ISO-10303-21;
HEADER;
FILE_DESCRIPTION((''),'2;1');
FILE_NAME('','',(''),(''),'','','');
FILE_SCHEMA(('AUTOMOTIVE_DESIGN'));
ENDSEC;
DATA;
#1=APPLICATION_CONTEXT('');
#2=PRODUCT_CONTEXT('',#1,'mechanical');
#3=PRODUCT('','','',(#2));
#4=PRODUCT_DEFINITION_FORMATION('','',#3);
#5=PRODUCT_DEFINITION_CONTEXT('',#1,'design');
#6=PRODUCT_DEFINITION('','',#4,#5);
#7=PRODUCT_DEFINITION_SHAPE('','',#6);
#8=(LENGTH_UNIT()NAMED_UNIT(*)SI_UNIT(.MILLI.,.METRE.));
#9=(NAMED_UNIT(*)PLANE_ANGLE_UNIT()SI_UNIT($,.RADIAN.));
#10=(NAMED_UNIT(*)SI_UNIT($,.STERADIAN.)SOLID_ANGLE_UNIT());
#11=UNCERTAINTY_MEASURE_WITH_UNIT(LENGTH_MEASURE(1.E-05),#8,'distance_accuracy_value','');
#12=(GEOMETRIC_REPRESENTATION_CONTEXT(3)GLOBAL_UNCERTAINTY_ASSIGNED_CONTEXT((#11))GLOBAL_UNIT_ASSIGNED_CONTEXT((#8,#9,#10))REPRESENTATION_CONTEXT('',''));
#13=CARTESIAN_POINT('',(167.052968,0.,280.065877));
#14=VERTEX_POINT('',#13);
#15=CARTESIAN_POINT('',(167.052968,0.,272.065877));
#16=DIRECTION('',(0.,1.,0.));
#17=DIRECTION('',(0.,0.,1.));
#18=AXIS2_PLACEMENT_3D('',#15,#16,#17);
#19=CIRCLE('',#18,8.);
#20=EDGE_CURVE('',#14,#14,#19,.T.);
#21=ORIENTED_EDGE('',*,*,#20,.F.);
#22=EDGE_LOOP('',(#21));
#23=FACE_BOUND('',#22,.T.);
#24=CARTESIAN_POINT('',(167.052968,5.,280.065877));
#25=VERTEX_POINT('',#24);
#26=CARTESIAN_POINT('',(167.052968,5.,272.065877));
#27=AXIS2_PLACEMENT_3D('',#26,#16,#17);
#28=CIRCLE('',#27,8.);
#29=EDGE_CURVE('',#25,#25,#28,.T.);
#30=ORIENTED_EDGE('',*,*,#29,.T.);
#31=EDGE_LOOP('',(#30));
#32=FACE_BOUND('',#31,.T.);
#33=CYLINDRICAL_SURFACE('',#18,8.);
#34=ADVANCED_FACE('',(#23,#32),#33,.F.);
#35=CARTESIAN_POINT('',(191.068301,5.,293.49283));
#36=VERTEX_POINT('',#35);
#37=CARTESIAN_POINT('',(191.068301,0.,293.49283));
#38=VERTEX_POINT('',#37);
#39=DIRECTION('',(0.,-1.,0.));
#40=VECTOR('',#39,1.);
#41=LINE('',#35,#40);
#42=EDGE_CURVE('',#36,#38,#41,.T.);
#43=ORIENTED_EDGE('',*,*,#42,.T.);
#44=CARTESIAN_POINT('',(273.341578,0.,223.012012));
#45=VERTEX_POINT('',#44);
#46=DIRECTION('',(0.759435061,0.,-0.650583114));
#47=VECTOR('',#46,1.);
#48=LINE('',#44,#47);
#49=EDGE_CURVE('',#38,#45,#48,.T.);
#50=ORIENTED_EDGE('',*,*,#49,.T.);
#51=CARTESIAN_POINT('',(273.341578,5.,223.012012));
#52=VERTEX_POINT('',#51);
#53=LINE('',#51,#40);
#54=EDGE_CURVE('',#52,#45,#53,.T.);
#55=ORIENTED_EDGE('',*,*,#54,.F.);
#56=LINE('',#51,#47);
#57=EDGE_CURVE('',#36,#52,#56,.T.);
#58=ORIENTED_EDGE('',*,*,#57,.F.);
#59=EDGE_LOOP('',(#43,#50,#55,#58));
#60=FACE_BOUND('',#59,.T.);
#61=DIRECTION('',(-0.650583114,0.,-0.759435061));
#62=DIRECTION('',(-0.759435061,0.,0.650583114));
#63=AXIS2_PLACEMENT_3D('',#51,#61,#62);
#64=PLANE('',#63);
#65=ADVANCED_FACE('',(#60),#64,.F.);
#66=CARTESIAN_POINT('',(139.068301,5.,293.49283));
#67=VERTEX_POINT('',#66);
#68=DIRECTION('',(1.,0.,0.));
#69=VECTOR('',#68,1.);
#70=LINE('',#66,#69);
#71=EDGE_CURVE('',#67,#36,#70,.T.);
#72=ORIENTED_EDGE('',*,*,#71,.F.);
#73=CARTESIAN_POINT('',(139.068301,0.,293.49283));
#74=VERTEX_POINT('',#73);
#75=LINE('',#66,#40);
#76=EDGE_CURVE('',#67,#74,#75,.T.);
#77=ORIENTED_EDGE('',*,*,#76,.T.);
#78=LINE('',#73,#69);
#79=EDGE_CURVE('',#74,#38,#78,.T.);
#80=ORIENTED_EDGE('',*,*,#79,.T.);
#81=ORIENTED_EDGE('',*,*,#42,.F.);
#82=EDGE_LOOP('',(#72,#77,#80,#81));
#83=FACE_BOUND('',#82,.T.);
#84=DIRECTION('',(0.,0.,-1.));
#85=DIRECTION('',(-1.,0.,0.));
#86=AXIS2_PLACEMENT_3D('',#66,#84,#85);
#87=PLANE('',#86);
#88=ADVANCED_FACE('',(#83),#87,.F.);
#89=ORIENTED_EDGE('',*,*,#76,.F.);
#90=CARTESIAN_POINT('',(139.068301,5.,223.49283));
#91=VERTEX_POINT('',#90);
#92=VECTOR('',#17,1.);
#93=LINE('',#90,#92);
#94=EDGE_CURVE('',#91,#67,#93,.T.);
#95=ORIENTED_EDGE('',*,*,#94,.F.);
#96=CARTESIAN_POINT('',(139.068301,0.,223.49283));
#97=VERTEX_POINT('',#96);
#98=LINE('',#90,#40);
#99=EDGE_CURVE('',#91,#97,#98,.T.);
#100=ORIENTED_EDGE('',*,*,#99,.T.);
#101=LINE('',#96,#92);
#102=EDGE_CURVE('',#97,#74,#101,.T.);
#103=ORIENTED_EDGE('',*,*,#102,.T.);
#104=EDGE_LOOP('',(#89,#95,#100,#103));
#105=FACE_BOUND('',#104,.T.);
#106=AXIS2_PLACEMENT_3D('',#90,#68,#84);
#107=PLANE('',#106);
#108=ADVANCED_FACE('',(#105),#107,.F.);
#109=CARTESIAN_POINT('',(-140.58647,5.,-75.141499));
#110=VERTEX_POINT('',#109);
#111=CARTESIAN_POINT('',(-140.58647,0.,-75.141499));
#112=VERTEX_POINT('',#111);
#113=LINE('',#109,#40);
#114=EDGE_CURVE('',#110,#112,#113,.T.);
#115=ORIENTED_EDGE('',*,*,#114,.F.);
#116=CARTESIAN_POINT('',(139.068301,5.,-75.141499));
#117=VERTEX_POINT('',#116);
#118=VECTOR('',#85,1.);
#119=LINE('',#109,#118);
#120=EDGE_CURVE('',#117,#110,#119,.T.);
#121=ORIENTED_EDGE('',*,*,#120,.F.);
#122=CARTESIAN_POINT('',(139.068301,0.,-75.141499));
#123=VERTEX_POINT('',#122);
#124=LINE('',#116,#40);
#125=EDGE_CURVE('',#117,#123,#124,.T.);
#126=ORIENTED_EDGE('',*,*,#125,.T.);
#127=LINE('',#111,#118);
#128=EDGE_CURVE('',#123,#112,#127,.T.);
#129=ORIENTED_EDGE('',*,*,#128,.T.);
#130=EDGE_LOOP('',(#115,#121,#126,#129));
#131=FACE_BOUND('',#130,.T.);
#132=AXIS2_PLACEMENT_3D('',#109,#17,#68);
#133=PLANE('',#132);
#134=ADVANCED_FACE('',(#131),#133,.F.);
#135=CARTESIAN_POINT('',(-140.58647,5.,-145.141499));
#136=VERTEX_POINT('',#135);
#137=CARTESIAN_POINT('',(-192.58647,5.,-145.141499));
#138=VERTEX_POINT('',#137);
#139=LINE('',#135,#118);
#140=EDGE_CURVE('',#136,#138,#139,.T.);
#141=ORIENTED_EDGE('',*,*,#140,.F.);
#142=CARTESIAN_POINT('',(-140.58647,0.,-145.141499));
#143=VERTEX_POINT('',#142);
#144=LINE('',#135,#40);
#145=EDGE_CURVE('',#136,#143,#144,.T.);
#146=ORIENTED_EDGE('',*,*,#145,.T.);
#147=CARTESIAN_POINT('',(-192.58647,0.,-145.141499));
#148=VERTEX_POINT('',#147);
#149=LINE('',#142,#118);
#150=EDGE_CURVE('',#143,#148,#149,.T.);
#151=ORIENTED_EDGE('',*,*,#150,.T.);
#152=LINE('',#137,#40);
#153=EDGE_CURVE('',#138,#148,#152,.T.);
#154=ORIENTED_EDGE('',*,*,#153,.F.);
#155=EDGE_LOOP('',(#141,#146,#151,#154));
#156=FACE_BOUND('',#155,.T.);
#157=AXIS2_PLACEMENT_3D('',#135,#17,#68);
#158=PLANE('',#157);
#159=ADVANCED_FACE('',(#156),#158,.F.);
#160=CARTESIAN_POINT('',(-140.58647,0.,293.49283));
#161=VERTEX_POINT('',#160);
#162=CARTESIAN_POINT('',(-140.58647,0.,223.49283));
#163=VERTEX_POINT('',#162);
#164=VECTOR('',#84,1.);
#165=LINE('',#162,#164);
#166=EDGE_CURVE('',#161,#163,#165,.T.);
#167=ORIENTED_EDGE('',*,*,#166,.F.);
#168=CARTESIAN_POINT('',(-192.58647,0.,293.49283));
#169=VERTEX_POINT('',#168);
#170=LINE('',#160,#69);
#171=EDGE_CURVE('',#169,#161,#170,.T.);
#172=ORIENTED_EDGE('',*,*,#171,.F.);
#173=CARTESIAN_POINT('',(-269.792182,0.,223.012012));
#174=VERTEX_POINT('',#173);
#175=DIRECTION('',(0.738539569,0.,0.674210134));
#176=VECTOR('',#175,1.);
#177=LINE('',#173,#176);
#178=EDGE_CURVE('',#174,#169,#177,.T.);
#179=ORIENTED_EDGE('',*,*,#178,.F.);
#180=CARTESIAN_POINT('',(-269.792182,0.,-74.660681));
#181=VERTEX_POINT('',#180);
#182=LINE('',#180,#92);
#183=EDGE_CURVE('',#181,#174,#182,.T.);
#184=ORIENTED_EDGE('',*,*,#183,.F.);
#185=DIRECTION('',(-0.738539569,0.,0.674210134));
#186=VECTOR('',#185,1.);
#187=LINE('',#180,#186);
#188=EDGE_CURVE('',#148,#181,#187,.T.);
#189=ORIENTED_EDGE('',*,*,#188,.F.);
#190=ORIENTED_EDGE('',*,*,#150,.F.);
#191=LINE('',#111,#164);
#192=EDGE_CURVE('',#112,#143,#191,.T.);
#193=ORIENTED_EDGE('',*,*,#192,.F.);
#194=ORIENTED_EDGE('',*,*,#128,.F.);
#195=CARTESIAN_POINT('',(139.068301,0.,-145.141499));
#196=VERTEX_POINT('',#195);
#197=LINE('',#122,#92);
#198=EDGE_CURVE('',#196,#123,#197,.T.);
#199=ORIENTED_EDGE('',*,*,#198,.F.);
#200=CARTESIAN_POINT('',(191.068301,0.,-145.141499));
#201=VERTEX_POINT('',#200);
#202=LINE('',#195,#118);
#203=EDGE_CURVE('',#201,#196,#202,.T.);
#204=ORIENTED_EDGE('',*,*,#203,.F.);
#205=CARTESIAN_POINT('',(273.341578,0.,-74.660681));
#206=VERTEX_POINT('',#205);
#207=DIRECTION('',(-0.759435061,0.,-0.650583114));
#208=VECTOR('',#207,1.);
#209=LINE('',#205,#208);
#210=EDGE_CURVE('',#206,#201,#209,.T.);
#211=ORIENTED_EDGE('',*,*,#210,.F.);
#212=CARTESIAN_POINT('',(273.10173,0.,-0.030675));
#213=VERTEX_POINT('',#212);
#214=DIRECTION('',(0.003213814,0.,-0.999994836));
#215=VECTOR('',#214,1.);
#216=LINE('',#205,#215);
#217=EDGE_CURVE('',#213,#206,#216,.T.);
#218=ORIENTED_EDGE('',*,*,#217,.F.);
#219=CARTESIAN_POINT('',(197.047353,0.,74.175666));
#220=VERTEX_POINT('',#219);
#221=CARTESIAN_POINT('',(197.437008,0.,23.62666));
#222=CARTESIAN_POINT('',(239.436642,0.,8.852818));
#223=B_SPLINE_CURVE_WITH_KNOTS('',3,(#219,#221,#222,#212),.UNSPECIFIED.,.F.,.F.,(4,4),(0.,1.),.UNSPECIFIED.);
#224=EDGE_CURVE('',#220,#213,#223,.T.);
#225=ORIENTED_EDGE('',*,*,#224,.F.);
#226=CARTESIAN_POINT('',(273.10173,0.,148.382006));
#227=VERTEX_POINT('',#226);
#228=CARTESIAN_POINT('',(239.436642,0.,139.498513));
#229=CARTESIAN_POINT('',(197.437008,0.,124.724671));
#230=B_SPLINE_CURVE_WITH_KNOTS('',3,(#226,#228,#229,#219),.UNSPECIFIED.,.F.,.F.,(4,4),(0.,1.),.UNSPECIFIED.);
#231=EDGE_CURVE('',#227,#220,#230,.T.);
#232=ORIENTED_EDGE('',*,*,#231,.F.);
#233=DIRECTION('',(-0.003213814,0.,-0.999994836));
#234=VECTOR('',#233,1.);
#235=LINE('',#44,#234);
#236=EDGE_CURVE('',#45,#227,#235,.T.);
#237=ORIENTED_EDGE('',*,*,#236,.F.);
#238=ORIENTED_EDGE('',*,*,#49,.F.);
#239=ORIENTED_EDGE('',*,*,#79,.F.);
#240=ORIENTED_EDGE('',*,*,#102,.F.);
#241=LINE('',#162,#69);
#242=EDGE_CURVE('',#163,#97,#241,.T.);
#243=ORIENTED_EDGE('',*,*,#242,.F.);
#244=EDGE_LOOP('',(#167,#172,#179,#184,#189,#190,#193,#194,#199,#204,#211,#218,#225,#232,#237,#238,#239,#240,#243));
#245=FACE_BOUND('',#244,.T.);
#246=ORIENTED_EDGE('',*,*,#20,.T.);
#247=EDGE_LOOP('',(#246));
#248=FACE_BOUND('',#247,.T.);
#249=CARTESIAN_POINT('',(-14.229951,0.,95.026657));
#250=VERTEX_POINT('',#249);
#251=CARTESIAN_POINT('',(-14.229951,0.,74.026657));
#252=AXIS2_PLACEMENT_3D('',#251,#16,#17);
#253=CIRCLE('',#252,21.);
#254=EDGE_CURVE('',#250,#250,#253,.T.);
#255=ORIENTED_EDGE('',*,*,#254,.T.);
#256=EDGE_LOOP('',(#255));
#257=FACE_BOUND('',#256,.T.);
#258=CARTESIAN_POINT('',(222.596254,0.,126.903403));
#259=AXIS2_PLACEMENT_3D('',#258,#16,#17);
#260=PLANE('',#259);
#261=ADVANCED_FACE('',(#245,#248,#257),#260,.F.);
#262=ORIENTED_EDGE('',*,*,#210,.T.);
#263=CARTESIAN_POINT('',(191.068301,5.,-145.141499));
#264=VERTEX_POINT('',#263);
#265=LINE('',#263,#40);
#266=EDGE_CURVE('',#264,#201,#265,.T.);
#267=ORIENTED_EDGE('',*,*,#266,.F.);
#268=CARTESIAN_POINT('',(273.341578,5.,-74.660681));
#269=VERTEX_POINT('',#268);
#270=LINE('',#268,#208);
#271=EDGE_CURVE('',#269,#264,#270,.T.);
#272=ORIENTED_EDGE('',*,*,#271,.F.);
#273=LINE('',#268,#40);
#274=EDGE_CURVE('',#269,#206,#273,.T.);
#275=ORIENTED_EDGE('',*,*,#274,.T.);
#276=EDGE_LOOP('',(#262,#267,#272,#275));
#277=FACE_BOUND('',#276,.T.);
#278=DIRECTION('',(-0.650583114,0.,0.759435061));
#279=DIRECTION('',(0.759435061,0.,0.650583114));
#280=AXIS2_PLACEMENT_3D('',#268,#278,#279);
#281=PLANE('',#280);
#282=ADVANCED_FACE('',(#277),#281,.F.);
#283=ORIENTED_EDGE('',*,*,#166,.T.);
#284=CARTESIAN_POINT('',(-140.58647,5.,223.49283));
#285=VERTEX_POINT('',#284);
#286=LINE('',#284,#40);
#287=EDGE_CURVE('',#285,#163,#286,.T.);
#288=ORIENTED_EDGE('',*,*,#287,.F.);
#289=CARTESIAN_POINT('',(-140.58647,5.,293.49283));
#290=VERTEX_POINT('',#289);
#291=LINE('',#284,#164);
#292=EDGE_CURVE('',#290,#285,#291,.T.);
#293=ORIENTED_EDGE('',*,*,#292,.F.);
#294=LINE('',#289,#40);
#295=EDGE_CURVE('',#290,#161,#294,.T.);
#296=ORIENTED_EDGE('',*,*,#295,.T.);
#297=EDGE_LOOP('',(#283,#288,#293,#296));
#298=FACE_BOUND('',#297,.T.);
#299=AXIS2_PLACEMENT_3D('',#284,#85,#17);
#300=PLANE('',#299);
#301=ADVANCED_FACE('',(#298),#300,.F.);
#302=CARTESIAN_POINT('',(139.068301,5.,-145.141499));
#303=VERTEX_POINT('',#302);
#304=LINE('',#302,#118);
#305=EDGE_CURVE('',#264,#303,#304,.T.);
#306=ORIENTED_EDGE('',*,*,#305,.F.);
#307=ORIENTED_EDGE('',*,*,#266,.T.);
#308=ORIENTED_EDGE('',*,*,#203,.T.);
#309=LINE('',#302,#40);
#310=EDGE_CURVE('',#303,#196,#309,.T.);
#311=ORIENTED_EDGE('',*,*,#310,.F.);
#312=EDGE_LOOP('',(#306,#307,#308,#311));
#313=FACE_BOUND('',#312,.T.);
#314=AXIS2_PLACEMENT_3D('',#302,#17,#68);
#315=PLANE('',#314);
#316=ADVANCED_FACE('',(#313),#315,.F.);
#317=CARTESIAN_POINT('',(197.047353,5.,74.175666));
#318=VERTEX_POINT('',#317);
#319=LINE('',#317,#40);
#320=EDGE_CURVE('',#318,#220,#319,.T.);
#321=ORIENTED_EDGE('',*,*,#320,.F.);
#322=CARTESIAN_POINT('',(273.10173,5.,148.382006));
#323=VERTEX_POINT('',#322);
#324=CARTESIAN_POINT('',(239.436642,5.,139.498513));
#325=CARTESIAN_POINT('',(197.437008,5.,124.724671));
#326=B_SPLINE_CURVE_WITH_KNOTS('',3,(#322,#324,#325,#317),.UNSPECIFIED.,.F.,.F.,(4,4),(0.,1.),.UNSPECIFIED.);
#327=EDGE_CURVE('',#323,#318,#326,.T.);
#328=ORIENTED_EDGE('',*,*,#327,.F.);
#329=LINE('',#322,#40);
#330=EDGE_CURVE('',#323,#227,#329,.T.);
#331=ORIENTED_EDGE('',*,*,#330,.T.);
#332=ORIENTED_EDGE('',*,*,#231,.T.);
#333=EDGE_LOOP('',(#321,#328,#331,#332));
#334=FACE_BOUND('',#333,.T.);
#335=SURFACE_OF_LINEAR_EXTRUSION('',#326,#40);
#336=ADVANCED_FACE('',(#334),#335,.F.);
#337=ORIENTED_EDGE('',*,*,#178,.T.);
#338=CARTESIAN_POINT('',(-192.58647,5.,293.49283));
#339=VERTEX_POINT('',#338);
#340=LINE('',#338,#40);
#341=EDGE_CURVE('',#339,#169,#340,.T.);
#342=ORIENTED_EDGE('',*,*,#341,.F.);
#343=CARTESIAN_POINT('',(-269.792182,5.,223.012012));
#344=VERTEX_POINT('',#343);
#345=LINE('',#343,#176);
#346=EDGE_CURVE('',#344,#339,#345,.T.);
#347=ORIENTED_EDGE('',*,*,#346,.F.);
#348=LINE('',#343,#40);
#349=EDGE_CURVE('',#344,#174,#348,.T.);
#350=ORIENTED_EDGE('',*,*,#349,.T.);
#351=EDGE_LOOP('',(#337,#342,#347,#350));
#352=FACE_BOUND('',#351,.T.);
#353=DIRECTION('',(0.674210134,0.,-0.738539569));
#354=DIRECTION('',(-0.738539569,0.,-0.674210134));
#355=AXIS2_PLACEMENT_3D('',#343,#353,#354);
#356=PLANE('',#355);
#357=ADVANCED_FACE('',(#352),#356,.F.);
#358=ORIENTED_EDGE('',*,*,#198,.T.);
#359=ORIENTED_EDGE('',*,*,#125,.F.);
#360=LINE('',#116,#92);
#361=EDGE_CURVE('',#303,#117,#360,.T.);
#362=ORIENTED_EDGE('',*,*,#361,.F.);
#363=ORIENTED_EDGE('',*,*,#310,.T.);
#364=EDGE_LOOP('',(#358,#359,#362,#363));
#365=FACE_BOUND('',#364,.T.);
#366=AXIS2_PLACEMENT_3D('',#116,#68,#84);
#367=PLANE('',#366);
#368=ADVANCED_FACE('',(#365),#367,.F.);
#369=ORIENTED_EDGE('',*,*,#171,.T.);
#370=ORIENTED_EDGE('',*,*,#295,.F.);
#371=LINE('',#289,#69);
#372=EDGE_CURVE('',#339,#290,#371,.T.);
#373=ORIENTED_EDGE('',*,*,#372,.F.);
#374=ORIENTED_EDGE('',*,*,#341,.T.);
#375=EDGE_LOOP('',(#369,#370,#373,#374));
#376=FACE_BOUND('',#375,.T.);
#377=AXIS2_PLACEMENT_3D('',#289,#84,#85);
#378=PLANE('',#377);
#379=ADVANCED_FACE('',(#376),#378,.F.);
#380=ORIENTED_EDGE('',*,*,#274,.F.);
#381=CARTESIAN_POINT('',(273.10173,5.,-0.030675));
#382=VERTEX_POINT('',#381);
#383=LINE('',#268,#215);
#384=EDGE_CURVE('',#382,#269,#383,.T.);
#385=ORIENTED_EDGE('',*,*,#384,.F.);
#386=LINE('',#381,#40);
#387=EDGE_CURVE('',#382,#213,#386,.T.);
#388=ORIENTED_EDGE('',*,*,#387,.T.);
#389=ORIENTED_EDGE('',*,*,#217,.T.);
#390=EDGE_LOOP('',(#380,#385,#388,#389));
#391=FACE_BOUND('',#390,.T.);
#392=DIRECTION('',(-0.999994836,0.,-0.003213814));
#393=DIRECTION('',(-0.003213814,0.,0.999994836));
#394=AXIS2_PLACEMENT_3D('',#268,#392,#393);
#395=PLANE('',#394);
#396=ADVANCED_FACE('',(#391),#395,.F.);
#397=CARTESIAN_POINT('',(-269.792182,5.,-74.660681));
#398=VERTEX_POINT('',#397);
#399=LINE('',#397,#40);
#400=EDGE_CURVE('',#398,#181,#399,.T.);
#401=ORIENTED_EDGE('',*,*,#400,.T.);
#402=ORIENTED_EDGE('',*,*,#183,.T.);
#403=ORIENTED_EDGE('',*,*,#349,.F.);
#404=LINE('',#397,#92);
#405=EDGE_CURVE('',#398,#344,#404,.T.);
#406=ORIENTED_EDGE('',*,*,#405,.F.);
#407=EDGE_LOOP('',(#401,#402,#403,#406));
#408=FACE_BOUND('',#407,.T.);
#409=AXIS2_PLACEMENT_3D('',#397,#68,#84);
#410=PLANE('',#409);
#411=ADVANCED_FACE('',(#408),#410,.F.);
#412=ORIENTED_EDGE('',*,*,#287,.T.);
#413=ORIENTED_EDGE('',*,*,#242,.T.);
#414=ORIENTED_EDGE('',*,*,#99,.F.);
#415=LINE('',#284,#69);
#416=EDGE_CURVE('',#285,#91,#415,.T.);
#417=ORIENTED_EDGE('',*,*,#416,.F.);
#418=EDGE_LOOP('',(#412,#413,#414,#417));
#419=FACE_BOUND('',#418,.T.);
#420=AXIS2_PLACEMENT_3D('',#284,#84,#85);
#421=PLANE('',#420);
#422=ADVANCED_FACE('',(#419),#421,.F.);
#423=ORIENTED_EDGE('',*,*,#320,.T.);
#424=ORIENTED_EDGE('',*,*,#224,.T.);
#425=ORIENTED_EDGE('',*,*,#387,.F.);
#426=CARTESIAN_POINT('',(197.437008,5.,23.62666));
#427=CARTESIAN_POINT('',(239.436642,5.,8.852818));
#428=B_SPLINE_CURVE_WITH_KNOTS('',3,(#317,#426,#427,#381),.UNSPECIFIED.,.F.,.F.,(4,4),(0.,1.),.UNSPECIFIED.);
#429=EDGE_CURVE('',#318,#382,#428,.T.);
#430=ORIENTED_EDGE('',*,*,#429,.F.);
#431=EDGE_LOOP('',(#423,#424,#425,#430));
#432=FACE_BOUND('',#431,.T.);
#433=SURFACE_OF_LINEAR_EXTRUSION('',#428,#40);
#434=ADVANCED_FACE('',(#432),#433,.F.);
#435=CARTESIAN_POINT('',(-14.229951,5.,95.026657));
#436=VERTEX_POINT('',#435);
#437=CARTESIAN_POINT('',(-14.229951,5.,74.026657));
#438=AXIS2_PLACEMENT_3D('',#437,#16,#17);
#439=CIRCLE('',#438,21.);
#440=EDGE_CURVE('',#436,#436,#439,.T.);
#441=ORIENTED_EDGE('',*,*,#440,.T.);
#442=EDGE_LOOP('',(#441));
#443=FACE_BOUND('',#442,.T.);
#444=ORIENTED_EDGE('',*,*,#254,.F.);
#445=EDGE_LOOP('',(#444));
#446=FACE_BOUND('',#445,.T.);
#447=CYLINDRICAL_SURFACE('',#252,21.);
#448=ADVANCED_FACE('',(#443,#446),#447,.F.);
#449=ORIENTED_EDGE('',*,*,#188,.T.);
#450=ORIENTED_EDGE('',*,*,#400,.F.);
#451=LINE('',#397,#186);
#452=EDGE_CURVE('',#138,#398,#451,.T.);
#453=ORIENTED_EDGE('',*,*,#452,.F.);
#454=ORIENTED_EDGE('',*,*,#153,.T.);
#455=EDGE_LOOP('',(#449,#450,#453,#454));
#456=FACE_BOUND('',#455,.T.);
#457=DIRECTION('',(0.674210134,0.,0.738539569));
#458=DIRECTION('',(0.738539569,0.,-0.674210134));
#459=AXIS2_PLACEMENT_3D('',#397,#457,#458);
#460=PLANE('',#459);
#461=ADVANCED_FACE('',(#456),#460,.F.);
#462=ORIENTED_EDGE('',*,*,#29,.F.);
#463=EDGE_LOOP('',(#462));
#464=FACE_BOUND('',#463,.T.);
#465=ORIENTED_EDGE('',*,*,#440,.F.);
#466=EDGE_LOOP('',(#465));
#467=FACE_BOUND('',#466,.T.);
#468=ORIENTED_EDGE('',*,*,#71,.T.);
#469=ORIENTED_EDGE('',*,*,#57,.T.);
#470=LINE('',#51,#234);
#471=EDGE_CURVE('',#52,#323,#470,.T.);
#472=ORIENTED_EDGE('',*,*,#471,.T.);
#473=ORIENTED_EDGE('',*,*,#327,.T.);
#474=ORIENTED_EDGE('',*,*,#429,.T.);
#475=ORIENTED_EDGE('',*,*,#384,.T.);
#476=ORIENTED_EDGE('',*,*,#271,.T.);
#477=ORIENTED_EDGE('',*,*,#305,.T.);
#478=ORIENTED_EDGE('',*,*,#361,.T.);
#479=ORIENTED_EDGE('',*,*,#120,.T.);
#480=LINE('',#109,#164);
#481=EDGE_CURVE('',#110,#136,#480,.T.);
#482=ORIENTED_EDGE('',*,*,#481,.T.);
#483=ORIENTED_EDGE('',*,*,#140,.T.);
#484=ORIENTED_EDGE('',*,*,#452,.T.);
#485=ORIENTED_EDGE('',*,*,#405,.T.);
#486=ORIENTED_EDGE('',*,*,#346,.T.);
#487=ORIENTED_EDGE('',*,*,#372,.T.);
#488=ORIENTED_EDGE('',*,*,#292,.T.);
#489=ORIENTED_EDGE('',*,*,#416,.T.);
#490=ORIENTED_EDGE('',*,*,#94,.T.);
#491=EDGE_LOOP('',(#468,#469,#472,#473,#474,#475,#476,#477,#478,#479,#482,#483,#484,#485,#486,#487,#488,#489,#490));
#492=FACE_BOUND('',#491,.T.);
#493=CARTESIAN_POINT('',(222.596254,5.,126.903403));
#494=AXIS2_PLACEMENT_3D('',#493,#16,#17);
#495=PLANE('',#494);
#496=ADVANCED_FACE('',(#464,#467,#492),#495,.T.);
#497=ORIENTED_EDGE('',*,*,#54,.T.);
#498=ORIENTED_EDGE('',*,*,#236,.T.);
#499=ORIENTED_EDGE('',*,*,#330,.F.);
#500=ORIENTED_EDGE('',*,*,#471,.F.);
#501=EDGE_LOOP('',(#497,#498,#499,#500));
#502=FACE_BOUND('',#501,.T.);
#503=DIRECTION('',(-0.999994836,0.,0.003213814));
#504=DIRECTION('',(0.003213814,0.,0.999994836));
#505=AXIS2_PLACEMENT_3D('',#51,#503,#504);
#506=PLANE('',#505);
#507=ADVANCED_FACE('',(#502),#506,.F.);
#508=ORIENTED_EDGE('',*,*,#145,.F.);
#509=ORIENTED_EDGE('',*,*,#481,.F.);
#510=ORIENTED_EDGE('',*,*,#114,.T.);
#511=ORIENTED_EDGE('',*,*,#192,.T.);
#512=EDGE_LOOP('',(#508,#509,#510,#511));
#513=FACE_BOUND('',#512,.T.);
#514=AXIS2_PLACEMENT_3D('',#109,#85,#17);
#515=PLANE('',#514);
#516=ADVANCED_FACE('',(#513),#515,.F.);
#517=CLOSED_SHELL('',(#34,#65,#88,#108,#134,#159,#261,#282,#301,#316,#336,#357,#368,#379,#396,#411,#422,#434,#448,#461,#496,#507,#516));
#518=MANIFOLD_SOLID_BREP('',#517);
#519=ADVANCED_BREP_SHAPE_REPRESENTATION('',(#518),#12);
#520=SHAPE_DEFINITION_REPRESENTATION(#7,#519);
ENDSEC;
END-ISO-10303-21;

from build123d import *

# Parameters (mm, degrees)
EXTRUDE_1_DEPTH     = 5
SKETCH_2_R          = 21
CUT_EXTRUDE_1_DEPTH = 402.096820895
SKETCH1_R           = 8
CUT_EXTRUDE1_DEPTH  = 402.096820895


with BuildPart() as part:
    # Эскиз1 → Вытянуть1 (new body)
    with BuildSketch(Plane(origin=(0, 0, 0), x_dir=(1, 0, 0), z_dir=(0, 1, 0))):
        with BuildLine():
            Line((-269.7921816, 74.660680838), (-269.7921816, -223.012011978))
            Line((-269.7921816, -223.012011978), (-192.586469874, -293.492830448))
            Line((-192.586469874, -293.492830448), (-140.586469874, -293.492830448))
            Line((-140.586469874, -293.492830448), (-140.586469874, -223.492830448))
            Line((-140.586469874, -223.492830448), (139.068300868, -223.492830448))
            Line((139.068300868, -223.492830448), (139.068300868, -293.492830448))
            Line((139.068300868, -293.492830448), (191.068300868, -293.492830448))
            Line((191.068300868, -293.492830448), (273.341577689, -223.012011978))
            Line((273.341577689, -223.012011978), (273.101729514, -148.382005757))
            add(Edge.make_bspline(
                [(273.101729514, -148.382005757), (239.43664156, -139.498513163), (197.437007815, -124.724670791), (197.047353036, -74.17566557)],
                knots=[0, 0, 0, 0, 1, 1, 1, 1], degree=3))
            add(Edge.make_bspline(
                [(273.101729514, 0.030674617), (239.43664156, -8.852817977), (197.437007815, -23.62666035), (197.047353036, -74.17566557)],
                knots=[0, 0, 0, 0, 1, 1, 1, 1], degree=3))
            Line((273.101729514, 0.030674617), (273.341577689, 74.660680838))
            Line((273.341577689, 74.660680838), (191.068300868, 145.141499308))
            Line((191.068300868, 145.141499308), (139.068300868, 145.141499308))
            Line((139.068300868, 145.141499308), (139.068300868, 75.141499308))
            Line((139.068300868, 75.141499308), (-140.586469874, 75.141499308))
            Line((-140.586469874, 75.141499308), (-140.586469874, 145.141499308))
            Line((-140.586469874, 145.141499308), (-192.586469874, 145.141499308))
            Line((-192.586469874, 145.141499308), (-269.7921816, 74.660680838))
        make_face()
    extrude(amount=EXTRUDE_1_DEPTH)

    # Эскиз2 → Вырез-Вытянуть1 (cut, through all)
    with BuildSketch(Plane(origin=(0, 5, 0), x_dir=(-1, 0, 0), z_dir=(0, 1, 0))):
        with Locations(Location((14.229950912, 74.026657254, 0), (0, 0, 90))):
            Circle(SKETCH_2_R)
    extrude(amount=-CUT_EXTRUDE_1_DEPTH, mode=Mode.SUBTRACT)

    # Sketch1 → Cut-Extrude1 (cut, through all)
    with BuildSketch(Plane(origin=(0, 5, 0), x_dir=(1, 0, 0), z_dir=(0, 1, 0))):
        with Locations(Location((167.052967516, -272.065876514, 0), (0, 0, 270))):
            Circle(SKETCH1_R)
    extrude(amount=-CUT_EXTRUDE1_DEPTH, mode=Mode.SUBTRACT)


solid = part.part
